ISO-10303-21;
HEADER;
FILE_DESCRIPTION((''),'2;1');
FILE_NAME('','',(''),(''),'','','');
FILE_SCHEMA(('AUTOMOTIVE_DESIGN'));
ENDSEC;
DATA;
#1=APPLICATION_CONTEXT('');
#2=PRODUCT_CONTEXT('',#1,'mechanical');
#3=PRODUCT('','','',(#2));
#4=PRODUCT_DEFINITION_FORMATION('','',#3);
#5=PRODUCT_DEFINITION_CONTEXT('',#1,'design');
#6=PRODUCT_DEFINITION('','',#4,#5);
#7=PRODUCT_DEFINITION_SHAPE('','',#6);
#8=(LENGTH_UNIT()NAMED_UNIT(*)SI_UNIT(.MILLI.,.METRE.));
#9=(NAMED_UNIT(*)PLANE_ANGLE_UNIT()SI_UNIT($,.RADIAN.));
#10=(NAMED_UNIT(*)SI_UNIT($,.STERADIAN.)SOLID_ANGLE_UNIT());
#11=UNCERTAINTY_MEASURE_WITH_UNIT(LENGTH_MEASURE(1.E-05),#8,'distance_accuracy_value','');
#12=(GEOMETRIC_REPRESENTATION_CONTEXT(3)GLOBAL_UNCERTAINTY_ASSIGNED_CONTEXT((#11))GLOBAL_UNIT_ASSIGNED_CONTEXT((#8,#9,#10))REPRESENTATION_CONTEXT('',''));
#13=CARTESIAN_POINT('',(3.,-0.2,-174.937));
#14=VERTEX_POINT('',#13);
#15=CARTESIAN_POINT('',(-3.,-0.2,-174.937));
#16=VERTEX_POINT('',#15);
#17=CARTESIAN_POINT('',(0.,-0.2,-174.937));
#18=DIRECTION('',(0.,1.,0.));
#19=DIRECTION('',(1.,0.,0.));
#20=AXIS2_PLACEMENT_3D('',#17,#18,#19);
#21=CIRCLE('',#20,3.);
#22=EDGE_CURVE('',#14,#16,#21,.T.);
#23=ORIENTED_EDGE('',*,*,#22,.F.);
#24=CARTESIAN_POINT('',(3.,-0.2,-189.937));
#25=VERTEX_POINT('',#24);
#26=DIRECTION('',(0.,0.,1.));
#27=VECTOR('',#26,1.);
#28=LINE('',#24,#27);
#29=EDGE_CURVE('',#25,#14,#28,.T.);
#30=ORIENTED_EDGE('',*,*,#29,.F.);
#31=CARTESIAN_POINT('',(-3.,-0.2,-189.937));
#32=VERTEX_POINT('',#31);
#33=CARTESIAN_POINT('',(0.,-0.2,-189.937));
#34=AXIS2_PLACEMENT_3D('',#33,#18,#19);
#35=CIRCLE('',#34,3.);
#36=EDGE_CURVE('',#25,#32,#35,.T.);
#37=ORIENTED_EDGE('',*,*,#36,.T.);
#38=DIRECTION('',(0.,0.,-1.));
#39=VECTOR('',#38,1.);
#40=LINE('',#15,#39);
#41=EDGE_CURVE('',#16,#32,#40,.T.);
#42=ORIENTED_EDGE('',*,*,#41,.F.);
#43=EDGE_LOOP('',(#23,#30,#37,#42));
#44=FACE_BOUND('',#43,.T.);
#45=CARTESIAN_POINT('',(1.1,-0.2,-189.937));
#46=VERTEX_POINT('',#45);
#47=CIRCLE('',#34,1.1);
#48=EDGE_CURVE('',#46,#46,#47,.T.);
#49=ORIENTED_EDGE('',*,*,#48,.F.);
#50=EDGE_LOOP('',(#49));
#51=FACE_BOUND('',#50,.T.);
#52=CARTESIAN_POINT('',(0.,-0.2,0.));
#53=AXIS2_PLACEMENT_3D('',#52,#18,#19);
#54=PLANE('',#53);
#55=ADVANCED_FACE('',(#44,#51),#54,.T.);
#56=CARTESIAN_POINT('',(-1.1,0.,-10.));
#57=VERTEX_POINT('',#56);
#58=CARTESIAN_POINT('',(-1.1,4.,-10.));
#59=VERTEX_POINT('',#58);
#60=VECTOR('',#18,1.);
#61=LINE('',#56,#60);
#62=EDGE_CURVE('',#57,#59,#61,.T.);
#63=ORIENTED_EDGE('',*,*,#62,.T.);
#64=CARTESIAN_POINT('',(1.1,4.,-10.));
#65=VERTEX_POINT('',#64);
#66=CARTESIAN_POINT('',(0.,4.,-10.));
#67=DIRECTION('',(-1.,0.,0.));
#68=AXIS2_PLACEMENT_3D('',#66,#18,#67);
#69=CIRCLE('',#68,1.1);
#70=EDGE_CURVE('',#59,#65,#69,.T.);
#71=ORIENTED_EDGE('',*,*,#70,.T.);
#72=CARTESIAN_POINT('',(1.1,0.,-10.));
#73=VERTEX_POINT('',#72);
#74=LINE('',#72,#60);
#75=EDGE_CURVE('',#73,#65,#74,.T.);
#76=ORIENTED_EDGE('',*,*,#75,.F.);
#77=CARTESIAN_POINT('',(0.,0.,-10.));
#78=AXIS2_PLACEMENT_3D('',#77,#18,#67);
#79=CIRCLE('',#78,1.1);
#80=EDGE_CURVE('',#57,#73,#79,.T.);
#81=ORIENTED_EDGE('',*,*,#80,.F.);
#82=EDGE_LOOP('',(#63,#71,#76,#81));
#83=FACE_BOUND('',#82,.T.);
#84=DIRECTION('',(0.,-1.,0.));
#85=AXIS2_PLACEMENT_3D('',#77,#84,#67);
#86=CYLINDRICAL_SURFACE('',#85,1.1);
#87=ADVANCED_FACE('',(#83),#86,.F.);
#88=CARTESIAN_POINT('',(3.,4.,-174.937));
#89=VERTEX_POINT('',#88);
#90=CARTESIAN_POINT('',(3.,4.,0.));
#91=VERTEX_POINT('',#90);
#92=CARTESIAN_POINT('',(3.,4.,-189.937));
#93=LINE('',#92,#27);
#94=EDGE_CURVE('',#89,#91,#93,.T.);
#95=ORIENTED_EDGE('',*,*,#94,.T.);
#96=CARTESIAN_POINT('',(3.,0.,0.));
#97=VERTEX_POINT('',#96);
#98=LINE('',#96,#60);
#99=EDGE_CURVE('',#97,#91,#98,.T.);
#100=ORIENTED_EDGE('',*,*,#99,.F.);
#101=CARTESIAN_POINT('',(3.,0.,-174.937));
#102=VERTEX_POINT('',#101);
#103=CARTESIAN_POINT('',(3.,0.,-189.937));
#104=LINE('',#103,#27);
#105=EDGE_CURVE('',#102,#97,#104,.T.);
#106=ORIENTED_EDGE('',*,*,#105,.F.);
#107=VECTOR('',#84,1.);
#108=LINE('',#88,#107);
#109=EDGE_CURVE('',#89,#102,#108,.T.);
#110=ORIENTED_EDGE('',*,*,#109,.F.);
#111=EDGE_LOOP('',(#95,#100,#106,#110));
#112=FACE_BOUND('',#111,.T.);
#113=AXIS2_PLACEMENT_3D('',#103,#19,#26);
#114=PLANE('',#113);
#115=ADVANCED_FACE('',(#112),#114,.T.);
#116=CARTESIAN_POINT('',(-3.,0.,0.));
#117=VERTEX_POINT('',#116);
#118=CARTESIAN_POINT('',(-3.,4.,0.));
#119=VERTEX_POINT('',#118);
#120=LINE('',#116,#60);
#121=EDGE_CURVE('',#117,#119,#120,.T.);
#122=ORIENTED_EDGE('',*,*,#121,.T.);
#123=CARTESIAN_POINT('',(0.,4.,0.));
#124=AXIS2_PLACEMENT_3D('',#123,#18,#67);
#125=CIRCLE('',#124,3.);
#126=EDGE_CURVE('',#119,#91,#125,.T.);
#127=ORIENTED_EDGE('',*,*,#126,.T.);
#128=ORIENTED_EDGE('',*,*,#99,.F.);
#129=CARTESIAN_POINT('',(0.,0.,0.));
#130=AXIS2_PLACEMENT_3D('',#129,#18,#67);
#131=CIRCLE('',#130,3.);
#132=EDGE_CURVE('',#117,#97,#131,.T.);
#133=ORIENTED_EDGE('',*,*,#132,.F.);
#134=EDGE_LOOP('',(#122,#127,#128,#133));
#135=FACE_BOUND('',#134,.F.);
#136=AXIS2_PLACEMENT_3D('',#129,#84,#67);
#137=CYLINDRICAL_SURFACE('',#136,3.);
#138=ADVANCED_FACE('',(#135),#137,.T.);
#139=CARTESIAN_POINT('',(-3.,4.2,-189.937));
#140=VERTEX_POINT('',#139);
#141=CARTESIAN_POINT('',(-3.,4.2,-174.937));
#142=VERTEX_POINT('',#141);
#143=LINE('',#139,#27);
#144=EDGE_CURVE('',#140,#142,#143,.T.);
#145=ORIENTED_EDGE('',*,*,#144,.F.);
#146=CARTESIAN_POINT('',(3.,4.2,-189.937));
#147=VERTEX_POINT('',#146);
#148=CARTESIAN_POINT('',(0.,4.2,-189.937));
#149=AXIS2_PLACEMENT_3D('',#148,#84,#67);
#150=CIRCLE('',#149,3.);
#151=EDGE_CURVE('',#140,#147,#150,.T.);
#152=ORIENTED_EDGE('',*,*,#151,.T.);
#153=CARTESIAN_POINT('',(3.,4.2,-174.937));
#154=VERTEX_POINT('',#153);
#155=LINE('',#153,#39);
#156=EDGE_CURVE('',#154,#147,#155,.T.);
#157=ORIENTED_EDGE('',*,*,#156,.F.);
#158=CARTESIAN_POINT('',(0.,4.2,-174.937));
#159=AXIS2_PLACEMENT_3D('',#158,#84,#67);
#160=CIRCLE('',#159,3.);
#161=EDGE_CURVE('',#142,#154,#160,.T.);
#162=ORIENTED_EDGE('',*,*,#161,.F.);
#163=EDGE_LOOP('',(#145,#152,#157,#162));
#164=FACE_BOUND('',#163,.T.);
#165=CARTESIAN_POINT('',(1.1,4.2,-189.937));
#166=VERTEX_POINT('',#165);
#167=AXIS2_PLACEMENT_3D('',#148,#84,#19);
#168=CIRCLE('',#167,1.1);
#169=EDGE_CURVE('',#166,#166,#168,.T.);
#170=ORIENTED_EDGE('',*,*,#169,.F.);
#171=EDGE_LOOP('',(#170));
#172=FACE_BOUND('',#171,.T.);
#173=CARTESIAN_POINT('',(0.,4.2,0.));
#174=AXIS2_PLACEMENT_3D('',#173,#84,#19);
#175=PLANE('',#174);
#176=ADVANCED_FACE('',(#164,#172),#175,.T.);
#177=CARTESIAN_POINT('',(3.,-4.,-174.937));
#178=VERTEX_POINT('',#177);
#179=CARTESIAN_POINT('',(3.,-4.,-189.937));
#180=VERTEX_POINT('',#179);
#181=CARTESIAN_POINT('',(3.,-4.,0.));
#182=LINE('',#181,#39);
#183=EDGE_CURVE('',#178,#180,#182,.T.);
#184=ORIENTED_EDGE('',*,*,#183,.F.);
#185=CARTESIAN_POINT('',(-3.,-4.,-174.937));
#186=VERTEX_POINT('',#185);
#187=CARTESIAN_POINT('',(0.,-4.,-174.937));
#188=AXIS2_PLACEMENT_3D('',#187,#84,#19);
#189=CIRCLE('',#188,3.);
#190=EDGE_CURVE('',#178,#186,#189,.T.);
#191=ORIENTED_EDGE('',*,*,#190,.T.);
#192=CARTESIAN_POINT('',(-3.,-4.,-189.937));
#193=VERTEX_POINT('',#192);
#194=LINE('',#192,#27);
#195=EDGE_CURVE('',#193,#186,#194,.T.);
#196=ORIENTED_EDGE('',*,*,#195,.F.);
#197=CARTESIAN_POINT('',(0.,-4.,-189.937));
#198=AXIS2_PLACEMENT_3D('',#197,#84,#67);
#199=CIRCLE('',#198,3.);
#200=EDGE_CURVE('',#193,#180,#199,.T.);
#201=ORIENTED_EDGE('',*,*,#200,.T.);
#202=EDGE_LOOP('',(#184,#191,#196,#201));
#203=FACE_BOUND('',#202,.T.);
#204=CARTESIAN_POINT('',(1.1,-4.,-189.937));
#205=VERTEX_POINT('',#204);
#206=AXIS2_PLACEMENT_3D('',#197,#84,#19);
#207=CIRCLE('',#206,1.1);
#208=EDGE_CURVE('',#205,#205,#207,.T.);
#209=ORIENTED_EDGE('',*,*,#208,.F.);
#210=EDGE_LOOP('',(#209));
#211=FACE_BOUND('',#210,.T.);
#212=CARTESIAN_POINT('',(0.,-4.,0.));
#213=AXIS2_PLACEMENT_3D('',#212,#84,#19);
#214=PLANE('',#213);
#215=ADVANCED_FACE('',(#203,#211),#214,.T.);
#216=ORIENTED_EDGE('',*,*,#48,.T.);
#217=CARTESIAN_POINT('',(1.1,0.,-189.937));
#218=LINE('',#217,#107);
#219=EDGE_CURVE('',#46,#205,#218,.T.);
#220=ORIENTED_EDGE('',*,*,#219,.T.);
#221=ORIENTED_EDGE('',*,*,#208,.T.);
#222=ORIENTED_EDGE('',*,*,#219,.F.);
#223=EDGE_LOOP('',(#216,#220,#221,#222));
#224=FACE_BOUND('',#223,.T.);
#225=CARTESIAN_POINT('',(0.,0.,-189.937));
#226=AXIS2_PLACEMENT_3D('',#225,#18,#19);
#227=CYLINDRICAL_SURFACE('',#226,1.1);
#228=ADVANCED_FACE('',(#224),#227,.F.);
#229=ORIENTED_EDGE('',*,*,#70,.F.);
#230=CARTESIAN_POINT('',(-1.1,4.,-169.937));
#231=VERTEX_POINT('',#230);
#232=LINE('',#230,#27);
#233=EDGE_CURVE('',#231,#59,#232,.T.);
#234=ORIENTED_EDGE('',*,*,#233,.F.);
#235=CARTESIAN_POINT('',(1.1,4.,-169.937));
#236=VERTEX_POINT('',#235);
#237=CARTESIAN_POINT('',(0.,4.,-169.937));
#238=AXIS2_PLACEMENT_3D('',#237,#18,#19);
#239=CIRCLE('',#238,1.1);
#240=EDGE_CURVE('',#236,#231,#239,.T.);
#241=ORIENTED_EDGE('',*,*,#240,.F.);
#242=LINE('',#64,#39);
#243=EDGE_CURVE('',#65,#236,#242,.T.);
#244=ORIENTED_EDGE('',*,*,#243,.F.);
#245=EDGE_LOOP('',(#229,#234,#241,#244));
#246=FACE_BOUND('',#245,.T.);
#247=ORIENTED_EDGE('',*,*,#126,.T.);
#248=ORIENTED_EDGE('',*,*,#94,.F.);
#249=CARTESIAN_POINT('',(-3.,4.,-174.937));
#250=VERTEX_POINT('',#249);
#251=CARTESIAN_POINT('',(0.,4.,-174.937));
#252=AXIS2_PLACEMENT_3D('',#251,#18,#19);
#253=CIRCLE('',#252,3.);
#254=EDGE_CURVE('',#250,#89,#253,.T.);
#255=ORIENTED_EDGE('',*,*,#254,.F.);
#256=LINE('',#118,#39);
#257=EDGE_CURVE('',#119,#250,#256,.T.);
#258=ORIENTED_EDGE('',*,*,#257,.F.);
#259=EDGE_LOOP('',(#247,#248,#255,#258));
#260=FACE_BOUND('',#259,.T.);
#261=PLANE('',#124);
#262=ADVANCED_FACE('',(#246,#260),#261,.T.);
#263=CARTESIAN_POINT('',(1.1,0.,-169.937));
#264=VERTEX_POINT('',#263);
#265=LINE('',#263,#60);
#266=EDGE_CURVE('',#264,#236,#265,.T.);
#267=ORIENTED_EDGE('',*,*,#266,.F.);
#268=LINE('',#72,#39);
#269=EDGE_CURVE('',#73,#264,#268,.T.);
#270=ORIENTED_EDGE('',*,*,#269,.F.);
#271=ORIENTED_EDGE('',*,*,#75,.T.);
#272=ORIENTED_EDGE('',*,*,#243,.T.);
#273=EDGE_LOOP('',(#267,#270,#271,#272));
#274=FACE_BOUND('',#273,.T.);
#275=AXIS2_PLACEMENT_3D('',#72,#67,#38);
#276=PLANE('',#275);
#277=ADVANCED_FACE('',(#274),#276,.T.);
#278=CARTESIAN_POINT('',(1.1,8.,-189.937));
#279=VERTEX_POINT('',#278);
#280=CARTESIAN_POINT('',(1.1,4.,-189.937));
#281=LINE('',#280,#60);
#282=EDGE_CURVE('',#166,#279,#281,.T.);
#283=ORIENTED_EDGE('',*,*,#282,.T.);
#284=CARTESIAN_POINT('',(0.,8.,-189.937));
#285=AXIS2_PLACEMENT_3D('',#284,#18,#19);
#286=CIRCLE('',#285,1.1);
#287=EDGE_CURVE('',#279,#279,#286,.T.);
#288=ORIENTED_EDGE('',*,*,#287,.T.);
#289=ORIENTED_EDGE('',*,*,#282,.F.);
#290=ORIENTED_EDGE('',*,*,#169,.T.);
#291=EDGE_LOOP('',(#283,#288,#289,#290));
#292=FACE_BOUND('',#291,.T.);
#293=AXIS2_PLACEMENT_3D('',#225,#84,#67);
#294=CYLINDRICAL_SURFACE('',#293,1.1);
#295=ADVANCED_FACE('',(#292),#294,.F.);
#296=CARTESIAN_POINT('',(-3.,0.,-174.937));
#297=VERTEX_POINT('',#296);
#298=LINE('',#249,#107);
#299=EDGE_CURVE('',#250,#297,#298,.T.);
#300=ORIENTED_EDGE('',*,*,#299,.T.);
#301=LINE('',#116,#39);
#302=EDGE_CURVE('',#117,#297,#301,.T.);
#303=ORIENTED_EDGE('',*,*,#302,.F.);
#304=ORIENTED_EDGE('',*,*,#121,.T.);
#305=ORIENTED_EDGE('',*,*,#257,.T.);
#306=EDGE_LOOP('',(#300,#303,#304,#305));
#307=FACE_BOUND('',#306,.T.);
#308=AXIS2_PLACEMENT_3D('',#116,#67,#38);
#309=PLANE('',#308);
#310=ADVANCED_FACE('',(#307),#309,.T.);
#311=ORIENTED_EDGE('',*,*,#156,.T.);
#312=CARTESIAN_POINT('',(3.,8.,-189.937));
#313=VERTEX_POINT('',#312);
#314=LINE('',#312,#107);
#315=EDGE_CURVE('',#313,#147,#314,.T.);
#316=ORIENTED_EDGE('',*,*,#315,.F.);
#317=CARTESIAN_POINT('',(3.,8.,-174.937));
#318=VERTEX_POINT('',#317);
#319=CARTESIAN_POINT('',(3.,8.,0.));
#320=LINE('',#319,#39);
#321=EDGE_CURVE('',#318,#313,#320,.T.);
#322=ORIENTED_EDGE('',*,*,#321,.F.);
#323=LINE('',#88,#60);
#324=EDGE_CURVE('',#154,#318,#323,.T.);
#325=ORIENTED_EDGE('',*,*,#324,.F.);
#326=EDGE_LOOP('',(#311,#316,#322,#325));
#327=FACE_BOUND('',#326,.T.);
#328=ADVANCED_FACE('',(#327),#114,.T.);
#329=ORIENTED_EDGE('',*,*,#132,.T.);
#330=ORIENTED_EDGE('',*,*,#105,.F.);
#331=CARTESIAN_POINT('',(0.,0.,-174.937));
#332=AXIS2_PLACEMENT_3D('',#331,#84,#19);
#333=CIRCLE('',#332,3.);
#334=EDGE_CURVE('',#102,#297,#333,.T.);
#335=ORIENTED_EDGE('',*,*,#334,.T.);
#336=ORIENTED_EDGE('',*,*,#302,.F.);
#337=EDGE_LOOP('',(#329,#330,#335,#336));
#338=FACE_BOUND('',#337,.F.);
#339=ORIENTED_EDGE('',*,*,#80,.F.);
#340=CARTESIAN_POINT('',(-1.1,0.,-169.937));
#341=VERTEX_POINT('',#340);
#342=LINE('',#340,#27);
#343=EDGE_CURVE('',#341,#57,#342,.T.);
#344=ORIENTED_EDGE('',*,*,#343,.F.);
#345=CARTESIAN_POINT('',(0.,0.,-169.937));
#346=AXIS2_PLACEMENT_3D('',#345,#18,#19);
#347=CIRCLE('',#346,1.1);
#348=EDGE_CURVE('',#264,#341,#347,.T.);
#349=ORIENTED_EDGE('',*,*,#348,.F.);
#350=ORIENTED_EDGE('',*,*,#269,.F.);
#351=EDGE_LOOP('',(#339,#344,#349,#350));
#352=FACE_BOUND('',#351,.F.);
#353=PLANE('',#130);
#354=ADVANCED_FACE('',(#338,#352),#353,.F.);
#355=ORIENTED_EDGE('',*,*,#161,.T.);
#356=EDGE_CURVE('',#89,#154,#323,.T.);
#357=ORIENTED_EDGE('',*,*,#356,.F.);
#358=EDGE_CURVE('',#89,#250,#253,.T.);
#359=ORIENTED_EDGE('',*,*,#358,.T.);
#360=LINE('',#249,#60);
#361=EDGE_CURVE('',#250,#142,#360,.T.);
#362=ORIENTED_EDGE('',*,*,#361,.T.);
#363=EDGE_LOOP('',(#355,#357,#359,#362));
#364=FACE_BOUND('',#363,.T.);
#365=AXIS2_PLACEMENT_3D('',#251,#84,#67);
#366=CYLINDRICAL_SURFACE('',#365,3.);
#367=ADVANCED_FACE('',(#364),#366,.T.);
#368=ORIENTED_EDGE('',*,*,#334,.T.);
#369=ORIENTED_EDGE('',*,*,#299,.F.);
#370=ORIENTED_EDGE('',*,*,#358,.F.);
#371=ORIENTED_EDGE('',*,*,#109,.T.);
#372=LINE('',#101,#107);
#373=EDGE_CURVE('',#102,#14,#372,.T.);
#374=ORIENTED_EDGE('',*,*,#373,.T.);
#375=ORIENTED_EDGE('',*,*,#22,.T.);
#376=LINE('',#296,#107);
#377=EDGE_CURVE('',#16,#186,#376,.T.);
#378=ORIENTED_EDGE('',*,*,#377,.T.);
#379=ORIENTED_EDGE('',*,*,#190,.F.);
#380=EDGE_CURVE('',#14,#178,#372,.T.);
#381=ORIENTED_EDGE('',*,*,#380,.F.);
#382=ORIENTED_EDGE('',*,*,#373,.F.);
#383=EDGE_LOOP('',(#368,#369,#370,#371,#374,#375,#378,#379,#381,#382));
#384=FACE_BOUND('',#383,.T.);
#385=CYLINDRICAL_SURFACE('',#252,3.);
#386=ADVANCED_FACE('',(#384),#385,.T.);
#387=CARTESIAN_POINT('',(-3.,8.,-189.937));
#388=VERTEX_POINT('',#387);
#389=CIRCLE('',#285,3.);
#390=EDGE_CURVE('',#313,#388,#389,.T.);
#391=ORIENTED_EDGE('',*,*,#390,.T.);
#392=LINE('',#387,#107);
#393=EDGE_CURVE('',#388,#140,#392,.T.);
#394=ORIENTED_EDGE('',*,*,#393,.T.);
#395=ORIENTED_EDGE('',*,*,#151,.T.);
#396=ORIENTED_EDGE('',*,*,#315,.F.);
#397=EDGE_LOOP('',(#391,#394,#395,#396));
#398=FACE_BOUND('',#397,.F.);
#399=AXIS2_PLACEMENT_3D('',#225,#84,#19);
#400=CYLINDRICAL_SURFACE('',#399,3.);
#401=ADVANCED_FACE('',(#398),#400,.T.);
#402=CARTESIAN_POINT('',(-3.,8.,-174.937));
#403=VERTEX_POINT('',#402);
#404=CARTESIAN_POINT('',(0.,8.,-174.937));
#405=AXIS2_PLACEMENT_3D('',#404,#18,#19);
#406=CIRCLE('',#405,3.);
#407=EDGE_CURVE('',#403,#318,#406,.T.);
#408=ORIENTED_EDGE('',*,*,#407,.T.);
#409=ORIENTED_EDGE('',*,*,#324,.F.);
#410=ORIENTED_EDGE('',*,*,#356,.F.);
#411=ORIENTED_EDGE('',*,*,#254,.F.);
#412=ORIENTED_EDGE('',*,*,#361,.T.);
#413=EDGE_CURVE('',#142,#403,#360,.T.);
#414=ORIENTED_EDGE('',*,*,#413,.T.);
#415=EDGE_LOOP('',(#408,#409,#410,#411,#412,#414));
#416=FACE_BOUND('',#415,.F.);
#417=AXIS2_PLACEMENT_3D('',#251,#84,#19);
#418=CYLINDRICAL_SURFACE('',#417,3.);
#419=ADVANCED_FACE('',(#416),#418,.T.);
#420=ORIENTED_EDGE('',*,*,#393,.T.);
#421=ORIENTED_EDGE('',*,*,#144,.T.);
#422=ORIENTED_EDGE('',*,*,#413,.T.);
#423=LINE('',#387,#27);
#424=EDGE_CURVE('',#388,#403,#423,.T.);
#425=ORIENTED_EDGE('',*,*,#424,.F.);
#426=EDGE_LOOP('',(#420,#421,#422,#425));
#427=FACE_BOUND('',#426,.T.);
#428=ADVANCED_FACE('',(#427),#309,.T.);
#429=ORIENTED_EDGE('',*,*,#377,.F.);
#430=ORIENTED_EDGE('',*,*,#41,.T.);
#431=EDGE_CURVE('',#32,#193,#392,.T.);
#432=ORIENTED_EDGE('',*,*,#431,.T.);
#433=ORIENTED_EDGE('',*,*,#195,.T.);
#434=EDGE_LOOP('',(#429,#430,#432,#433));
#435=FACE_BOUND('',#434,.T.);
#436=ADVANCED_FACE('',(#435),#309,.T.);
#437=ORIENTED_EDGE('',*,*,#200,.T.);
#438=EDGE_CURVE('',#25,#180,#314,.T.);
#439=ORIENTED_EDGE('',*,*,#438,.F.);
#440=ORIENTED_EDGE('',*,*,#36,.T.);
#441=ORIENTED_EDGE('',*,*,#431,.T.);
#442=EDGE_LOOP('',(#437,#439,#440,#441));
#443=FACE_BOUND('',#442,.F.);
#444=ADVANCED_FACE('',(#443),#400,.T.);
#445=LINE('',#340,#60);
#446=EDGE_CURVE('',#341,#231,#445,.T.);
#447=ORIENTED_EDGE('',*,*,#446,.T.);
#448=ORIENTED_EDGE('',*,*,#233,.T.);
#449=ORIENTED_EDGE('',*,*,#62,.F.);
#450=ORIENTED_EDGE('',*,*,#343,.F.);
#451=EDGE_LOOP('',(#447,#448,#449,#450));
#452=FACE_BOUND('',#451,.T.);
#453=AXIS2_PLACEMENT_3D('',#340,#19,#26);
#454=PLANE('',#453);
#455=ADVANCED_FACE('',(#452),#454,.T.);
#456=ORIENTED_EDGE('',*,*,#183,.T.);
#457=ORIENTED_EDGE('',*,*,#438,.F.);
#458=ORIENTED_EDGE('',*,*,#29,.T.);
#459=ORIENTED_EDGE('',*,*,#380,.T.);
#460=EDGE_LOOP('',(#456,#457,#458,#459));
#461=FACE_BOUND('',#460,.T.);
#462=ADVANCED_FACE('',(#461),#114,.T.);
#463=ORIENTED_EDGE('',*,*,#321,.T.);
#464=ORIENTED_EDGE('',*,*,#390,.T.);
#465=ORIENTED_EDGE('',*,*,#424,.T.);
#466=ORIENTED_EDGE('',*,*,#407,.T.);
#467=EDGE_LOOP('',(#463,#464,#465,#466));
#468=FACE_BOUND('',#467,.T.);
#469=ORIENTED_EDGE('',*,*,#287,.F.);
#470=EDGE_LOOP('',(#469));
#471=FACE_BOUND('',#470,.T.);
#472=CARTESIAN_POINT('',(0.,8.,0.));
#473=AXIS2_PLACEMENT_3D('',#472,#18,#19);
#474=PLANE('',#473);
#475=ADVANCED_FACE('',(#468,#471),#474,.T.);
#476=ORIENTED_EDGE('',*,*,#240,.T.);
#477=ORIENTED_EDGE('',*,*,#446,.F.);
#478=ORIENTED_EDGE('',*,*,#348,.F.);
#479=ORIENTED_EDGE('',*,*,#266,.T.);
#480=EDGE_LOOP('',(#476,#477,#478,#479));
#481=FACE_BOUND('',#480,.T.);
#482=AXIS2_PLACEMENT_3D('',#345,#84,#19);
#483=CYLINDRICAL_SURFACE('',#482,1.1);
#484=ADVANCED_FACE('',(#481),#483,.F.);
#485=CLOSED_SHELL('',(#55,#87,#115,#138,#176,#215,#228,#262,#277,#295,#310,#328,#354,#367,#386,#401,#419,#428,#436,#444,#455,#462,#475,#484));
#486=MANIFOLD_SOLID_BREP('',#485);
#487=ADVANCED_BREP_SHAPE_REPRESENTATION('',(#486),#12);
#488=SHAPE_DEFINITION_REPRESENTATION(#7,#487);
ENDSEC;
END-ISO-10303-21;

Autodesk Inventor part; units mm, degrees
ref_plane "XZ Plane" through (0, 0, 0) normal (0, 1, 0) x (-1, 0, 0)
ref_plane "XY Plane" through (0, 0, 0) normal (0, 0, 1) x (1, 0, 0)
sketch "Sketch1" plane through (0, 0, 0) normal (0, 1, 0) x (-1, 0, 0)
  line L0 (0, 0) -> (0, -189.937) construction
  line L1 (3, 0) -> (3, -189.937)
  line L2 (-3, -189.937) -> (-3, 0)
  arc A0 (3, 0) -> (-3, 0) centre (0, 0) ccw
  arc A1 (-3, -189.937) -> (3, -189.937) centre (0, -189.937) ccw
  circle A2 centre (0, -189.937) radius 1.1
  line L3 (0, -10) -> (0, -169.937) construction
  line L4 (-1.1, -10) -> (-1.1, -169.937)
  line L5 (1.1, -169.937) -> (1.1, -10)
  arc A3 (1.1, -10) -> (-1.1, -10) centre (0, -10) ccw
  arc A4 (-1.1, -169.937) -> (1.1, -169.937) centre (0, -169.937) ccw
  point P0 (0, -94.9685)
  point P1 (0, -89.9685)
  dimension "d1" = 2.2
  dimension "d2" = 6
  dimension "d3" = 189.937
  dimension "d16" = 2.2
  dimension "d17" = 20
  dimension "d18" = 10
extrude "Extrusion1" add sketch "Sketch1" along normal blind 4
sketch "Sketch2" plane through (0, 4, 0) normal (0, 1, 0) x (1, 0, 0)
  line L0 (-3, 189.937) -> (-3, 0) projected
  arc A0 (-3, 0) -> (3, 0) centre (0, 0) ccw projected
  line L1 (3, 0) -> (3, 189.937) projected
  arc A1 (3, 189.937) -> (-3, 189.937) centre (0, 189.937) ccw projected
  arc A2 (-1.1, 10) -> (1.1, 10) centre (0, 10) ccw projected
  line L2 (-1.1, 10) -> (-1.1, 169.937) projected
  arc A3 (1.1, 169.937) -> (-1.1, 169.937) centre (0, 169.937) ccw projected
  line L3 (1.1, 169.937) -> (1.1, 10) projected
  circle A4 centre (0, 189.937) radius 1.1 projected
  line L4 (-3, 189.937) -> (-3, 0) projected
  line L5 (3, 0) -> (3, 189.937) projected
  circle A5 centre (0, 174.937) radius 3
  point P0 (-3, 174.937)
  point P1 (3, 174.937)
  dimension "d20" = 15
  dimension "d21" = 6
extrude "Extrusion2" add sketch "Sketch2" along normal blind 4 contours A1 L1 A5 L0 | A5
sketch "Sketch3" plane through (0, 0, 0) normal (0, -1, 0) x (1, 0, 0)
  line L0 (-3, -189.937) -> (-3, 0) projected
  arc A0 (-3, -189.937) -> (3, -189.937) centre (0, -189.937) ccw projected
  line L1 (3, 0) -> (3, -189.937) projected
  arc A1 (3, 0) -> (-3, 0) centre (0, 0) ccw projected
  arc A2 (1.1, -10) -> (-1.1, -10) centre (0, -10) ccw projected
  line L2 (1.1, -169.937) -> (1.1, -10) projected
  arc A3 (-1.1, -169.937) -> (1.1, -169.937) centre (0, -169.937) ccw projected
  line L3 (-1.1, -10) -> (-1.1, -169.937) projected
  circle A4 centre (0, -189.937) radius 1.1 projected
  circle A5 centre (0, -174.937) radius 3
  point P0 (3, -174.937)
  point P1 (-3, -174.937)
  dimension "d24" = 6
  dimension "d25" = 15
extrude "Extrusion3" add sketch "Sketch3" along normal blind 4 contours L0 A5 L1 A0 | A5
extrude "Extrusion4" cut sketch "Sketch2" against normal blind 4 contours A1 L1 A5 L0
sketch "Sketch4" plane through (0, 0, 0) normal (0, 1, 0) x (1, 0, 0)
  line L0 (-3, 174.937) -> (-3, 189.937) projected
  arc A0 (3, 174.937) -> (-3, 174.937) centre (0, 174.937) ccw projected
  line L1 (3, 189.937) -> (3, 174.937) projected
  arc A1 (3, 189.937) -> (-3, 189.937) centre (0, 189.937) ccw projected
  circle A2 centre (0, 189.937) radius 1.1 projected
  point P0 (0, 0)
extrude "Extrusion5" cut sketch "Sketch4" against normal blind 0.2
sketch "Sketch5" plane through (0, 4, 0) normal (0, -1, 0) x (1, 0, 0)
  line L0 (-3, -189.937) -> (-3, -174.937) projected
  arc A0 (-3, -189.937) -> (3, -189.937) centre (0, -189.937) ccw projected
  line L1 (3, -174.937) -> (3, -189.937) projected
  arc A1 (-3, -174.937) -> (3, -174.937) centre (0, -174.937) ccw projected
  circle A2 centre (0, -189.937) radius 1.1 projected
  point P0 (0, 0)
extrude "Extrusion6" cut sketch "Sketch5" against normal blind 0.2
